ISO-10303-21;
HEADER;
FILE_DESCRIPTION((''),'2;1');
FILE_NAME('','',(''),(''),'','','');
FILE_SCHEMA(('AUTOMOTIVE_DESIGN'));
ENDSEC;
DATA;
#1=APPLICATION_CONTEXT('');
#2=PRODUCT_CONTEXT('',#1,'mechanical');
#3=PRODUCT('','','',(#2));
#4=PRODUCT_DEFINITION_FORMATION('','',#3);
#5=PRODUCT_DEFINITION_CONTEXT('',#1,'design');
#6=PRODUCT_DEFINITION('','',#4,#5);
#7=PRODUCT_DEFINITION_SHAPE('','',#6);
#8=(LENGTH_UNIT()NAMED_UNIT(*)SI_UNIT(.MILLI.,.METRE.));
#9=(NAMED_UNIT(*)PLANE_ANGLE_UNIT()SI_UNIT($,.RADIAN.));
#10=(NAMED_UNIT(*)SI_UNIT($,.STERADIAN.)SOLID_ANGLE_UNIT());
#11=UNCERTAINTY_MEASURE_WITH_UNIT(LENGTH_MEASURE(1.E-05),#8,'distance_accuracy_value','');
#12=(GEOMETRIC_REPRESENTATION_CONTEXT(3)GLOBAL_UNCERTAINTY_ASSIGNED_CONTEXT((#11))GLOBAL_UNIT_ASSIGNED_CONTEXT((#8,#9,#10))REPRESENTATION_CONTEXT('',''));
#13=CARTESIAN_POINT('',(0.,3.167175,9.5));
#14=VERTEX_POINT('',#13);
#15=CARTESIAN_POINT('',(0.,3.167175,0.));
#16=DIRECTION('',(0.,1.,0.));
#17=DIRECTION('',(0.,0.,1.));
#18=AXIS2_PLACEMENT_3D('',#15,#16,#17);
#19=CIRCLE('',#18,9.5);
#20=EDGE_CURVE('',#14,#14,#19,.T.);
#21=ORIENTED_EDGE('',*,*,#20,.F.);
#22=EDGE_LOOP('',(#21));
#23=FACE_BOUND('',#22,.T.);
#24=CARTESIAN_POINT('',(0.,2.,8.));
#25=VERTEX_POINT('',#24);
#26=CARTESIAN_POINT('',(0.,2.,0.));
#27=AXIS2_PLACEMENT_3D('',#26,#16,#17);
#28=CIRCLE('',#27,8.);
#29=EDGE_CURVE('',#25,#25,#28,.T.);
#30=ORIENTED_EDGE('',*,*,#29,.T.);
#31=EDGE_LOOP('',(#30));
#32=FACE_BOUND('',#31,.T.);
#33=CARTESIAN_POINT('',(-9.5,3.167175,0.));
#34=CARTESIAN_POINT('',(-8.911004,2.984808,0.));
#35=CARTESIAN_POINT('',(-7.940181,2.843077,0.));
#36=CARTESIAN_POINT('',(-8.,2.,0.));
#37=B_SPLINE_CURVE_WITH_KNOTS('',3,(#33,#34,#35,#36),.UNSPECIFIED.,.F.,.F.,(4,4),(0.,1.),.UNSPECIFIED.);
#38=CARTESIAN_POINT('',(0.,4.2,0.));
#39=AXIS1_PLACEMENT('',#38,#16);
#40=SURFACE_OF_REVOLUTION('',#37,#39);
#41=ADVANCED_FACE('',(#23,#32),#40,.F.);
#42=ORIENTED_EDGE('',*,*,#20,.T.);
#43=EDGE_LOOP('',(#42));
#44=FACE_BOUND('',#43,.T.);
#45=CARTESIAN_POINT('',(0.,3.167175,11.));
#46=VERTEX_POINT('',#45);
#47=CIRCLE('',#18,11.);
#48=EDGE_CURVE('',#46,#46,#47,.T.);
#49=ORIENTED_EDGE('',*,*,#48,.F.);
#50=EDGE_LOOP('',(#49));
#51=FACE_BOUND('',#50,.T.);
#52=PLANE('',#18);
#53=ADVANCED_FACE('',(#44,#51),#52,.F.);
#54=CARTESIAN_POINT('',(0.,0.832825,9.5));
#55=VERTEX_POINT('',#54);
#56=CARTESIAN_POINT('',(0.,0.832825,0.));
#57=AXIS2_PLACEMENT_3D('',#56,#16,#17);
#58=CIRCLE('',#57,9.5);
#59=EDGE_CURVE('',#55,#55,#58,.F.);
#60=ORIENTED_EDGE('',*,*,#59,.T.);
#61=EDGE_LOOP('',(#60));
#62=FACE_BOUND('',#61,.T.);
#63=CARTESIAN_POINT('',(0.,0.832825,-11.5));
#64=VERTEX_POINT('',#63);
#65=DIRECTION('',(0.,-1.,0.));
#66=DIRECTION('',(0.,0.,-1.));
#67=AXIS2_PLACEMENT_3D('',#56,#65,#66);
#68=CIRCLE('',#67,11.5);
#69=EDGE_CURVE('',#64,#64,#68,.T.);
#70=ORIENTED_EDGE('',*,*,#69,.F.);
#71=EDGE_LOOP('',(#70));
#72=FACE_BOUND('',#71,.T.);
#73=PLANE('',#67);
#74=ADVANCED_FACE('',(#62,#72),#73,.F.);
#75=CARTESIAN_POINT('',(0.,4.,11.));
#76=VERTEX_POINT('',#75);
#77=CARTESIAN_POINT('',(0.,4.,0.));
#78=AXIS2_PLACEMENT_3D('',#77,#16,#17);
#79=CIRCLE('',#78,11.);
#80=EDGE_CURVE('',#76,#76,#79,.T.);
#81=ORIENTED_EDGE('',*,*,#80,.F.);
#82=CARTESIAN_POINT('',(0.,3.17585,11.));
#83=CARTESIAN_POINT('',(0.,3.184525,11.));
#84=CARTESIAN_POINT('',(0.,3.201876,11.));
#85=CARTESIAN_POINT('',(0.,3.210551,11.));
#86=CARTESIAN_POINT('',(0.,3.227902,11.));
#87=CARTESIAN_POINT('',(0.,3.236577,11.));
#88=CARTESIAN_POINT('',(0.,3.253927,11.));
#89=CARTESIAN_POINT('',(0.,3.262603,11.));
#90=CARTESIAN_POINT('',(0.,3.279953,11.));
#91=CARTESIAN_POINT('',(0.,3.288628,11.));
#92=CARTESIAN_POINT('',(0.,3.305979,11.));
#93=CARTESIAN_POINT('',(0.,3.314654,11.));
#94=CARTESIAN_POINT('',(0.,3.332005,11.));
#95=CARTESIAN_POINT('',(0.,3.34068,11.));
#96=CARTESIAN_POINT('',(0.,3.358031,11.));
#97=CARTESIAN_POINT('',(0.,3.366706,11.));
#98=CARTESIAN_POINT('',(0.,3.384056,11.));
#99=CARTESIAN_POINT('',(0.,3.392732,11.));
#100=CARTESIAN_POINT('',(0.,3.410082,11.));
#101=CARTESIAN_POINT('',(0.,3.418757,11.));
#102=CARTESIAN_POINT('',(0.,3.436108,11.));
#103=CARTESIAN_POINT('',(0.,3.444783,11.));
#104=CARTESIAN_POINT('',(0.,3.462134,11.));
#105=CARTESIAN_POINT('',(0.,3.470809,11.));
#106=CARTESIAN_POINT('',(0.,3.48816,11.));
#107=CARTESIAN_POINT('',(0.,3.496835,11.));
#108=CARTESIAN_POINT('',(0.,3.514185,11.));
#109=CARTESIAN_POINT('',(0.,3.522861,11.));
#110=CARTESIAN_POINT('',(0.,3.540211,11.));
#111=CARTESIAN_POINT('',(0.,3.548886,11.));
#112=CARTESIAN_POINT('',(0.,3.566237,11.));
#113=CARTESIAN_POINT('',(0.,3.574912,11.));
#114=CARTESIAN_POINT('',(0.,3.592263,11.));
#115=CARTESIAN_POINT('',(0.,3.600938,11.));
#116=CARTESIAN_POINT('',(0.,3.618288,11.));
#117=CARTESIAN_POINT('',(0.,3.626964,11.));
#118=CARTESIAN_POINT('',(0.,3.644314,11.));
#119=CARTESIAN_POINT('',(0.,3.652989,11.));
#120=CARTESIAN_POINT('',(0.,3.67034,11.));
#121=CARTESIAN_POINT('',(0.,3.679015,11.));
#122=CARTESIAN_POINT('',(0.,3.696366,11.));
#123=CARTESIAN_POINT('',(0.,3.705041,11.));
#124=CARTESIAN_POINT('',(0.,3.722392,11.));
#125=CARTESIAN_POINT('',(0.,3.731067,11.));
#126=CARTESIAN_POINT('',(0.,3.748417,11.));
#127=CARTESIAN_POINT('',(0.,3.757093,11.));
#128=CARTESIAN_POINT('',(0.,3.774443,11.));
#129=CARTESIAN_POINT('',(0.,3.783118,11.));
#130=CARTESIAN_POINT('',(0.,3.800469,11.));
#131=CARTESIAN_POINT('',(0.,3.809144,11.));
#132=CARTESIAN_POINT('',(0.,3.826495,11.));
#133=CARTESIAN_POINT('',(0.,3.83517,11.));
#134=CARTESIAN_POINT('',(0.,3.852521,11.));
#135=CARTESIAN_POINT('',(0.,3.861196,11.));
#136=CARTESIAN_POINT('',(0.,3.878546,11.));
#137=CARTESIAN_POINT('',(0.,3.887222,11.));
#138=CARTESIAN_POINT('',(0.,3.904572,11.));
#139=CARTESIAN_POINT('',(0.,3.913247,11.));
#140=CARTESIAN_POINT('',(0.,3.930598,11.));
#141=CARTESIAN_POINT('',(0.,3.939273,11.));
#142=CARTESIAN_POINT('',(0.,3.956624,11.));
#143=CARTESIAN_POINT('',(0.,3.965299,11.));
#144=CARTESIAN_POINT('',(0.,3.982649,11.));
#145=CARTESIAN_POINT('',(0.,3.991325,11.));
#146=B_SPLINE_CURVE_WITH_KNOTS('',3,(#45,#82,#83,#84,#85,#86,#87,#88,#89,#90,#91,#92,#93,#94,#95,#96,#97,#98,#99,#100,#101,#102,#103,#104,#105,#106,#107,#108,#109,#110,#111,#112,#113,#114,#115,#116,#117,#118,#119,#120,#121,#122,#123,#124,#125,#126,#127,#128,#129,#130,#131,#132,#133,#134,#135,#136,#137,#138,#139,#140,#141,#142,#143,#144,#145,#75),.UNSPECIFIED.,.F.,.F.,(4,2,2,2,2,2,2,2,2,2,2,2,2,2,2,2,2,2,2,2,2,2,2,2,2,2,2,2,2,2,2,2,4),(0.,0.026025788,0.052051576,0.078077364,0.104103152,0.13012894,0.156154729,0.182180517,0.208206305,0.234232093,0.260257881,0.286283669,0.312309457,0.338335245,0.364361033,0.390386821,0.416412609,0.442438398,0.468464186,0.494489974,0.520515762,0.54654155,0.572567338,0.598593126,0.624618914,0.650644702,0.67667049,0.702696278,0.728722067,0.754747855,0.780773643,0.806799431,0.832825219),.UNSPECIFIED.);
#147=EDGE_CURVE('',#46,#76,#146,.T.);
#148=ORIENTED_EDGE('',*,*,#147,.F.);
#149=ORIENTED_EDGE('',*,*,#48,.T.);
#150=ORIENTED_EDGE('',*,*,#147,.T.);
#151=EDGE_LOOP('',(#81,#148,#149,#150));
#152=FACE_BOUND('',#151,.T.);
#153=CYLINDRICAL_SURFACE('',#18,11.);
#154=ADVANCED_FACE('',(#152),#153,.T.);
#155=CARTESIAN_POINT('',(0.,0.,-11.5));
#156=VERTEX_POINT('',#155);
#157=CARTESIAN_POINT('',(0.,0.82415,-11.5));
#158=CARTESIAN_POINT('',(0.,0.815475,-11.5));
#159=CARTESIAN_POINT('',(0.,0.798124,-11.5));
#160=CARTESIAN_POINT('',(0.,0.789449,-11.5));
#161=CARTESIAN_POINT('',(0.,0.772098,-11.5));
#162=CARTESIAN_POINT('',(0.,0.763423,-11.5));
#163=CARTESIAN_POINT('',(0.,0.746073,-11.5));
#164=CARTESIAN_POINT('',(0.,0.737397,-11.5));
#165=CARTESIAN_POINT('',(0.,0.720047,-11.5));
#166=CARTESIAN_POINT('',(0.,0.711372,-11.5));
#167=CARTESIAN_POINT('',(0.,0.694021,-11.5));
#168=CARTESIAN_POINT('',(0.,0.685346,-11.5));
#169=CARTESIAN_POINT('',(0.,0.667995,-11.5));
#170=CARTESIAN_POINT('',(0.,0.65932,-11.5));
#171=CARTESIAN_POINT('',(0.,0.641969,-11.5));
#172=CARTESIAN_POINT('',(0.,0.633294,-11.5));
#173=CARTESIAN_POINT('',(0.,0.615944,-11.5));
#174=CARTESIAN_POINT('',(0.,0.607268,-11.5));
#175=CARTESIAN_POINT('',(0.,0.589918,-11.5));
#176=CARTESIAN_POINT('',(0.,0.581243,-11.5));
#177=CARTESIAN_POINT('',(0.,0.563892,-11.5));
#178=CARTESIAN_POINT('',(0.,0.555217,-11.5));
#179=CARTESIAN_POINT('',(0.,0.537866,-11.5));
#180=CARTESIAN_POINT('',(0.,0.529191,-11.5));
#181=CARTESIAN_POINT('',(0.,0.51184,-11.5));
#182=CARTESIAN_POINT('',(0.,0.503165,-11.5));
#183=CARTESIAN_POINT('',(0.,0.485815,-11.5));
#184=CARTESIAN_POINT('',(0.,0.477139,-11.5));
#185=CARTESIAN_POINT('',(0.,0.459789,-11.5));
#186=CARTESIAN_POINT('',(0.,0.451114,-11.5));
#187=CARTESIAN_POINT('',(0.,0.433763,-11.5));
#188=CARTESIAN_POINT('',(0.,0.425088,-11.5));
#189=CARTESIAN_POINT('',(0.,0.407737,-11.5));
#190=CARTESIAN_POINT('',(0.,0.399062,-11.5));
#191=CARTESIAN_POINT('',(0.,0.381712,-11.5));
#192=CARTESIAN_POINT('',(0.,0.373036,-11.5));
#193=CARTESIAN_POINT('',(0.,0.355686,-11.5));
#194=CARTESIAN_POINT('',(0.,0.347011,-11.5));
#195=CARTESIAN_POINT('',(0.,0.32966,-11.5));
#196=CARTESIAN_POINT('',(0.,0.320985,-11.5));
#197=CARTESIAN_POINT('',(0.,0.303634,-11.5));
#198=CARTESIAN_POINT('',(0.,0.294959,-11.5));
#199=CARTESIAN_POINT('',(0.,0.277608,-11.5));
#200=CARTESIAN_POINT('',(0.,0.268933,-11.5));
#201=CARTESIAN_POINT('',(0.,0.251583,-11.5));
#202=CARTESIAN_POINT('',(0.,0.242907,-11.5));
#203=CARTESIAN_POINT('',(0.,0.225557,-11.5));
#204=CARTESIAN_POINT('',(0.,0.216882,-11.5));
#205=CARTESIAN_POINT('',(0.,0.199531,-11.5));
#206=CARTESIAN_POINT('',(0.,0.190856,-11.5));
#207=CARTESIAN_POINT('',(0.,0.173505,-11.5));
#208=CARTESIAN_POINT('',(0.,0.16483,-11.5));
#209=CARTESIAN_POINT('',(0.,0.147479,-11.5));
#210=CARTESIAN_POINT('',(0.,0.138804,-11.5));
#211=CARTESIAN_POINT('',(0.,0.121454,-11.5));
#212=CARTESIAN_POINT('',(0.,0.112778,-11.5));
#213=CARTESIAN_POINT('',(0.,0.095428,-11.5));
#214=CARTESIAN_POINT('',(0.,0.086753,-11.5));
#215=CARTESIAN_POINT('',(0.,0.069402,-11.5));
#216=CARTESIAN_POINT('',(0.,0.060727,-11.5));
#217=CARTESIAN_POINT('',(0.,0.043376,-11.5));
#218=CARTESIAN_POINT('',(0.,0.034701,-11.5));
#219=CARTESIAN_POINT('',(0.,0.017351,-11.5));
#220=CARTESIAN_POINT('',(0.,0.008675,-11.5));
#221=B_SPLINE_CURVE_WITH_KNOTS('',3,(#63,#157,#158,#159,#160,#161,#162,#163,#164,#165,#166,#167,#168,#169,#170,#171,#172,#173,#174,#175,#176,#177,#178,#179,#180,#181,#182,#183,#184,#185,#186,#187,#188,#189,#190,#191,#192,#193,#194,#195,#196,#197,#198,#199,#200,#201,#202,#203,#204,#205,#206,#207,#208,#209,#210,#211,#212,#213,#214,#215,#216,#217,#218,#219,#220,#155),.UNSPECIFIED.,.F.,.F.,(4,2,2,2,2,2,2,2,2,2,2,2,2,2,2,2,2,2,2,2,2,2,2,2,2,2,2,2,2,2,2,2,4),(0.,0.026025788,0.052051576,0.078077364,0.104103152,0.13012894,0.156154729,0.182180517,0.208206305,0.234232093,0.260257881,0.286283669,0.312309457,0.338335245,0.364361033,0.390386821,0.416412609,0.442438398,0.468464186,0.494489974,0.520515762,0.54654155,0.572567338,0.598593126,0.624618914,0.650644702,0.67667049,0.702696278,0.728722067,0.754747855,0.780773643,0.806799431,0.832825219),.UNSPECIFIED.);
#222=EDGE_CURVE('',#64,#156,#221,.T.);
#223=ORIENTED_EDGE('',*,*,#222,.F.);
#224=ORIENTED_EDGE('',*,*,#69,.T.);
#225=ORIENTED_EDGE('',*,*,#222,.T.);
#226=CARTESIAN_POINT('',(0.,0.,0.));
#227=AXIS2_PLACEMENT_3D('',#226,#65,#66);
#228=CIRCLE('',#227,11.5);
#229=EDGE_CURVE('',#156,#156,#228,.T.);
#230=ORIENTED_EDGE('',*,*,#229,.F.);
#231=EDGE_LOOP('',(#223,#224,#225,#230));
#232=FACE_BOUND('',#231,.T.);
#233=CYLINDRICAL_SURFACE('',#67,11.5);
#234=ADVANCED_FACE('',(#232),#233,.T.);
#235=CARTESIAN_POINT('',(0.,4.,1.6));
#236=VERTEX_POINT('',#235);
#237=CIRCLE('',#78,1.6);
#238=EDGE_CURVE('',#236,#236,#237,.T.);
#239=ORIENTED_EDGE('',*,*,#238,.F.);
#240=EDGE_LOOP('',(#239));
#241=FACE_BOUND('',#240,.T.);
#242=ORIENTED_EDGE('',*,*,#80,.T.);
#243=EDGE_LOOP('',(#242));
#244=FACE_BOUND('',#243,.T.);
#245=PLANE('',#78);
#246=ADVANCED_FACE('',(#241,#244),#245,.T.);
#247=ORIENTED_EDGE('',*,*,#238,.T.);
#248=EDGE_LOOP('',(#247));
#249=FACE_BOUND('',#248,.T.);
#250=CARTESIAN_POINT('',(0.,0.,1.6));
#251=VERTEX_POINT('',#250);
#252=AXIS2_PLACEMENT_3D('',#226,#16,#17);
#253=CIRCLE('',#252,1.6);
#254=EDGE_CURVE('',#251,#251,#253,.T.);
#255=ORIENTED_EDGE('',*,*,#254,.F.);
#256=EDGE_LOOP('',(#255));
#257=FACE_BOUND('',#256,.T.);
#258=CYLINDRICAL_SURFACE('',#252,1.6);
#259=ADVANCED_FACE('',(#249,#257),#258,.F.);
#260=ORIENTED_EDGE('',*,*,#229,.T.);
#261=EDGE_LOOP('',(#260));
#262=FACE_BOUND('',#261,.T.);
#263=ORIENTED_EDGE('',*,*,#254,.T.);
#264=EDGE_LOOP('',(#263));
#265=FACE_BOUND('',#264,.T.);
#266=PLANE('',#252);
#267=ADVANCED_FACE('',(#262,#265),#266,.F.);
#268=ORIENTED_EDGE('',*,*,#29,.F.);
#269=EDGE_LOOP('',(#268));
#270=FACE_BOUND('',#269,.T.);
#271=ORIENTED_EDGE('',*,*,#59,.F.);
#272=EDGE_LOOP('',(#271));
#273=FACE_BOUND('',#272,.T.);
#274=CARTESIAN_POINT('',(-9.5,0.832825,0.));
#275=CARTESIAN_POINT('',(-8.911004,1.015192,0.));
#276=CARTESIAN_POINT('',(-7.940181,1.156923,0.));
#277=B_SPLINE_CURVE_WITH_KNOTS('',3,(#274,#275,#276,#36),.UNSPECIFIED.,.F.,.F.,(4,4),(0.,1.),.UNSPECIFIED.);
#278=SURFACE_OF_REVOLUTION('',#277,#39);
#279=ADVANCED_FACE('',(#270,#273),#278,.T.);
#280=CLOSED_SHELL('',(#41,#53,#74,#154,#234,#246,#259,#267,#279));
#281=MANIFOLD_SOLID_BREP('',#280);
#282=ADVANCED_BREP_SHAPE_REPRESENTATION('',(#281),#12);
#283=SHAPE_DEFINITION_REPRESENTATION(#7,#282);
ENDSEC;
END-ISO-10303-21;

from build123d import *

# Parameters (mm, degrees)
SKETCH1_R           = 9.5
BOSS_EXTRUDE1_DEPTH = 4
SKETCH3_R           = 1.6
CUT_EXTRUDE1_DEPTH  = 15.017845904
SKETCH4_R           = 11
SKETCH4_R_2         = 1.6
EXTENSION_TOP_DEPTH = 0.832825
BOSS_EXTRUDE4_START = -0.832825
SKETCH5_R           = 11.5
SKETCH5_R_2         = 1.6
BOSS_EXTRUDE4_DEPTH = 0.832825


with BuildPart() as part:
    # Sketch1 → Boss-Extrude1 (new body)
    with BuildSketch(Plane(origin=(0, 0, 0), x_dir=(1, 0, 0), z_dir=(0, 1, 0))):
        with Locations(Location((0, 0, 0), (0, 0, 270))):
            Circle(SKETCH1_R)
    extrude(amount=BOSS_EXTRUDE1_DEPTH)

    # Sketch2 → Cut-Revolve3 (revolve, cut)
    with BuildSketch(Plane.XY, mode=Mode.PRIVATE) as cut_revolve3_sk:
        with BuildLine():
            Line((-9.5, 3.167174781), (-9.5, 0.832825219))
            add(Edge.make_bspline(
                [(-9.5, 0.832825219), (-8.911003923, 1.01519245), (-7.940181452, 1.15692307), (-8, 2)],
                knots=[0, 0, 0, 0, 1, 1, 1, 1], degree=3))
            add(Edge.make_bspline(
                [(-9.5, 3.167174781), (-8.911003923, 2.98480755), (-7.940181452, 2.84307693), (-8, 2)],
                knots=[0, 0, 0, 0, 1, 1, 1, 1], degree=3))
        make_face()
    revolve(cut_revolve3_sk.sketch.rotate(Axis((0, 4.2, 0), (0, -1, 0)), 270), axis=Axis((0, 4.2, 0), (0, -1, 0)), mode=Mode.SUBTRACT)

    # Sketch3 → Cut-Extrude1 (cut, through all)
    with BuildSketch(Plane(origin=(0, 4, 0), x_dir=(1, 0, 0), z_dir=(0, 1, 0))):
        with Locations(Location((0, 0, 0), (0, 0, 270))):
            Circle(SKETCH3_R)
    extrude(amount=-CUT_EXTRUDE1_DEPTH, mode=Mode.SUBTRACT)

    # Sketch4 → Extension top (add)
    with BuildSketch(Plane(origin=(0, 4, 0), x_dir=(1, 0, 0), z_dir=(0, 1, 0))):
        with Locations(Location((0, 0, 0), (0, 0, 270))):
            Circle(SKETCH4_R)
        with Locations(Location((0, 0, 0), (0, 0, 270))):
            Circle(SKETCH4_R_2, mode=Mode.SUBTRACT)
    extrude(amount=-EXTENSION_TOP_DEPTH)

    # Sketch5 → Boss-Extrude4 (add)
    with BuildSketch(Plane.XZ.offset(BOSS_EXTRUDE4_START)):
        with Locations(Location((0, 0, 0), (0, 0, 270))):
            Circle(SKETCH5_R)
        with Locations(Location((0, 0, 0), (0, 0, 90))):
            Circle(SKETCH5_R_2, mode=Mode.SUBTRACT)
    extrude(amount=BOSS_EXTRUDE4_DEPTH)


solid = part.part
